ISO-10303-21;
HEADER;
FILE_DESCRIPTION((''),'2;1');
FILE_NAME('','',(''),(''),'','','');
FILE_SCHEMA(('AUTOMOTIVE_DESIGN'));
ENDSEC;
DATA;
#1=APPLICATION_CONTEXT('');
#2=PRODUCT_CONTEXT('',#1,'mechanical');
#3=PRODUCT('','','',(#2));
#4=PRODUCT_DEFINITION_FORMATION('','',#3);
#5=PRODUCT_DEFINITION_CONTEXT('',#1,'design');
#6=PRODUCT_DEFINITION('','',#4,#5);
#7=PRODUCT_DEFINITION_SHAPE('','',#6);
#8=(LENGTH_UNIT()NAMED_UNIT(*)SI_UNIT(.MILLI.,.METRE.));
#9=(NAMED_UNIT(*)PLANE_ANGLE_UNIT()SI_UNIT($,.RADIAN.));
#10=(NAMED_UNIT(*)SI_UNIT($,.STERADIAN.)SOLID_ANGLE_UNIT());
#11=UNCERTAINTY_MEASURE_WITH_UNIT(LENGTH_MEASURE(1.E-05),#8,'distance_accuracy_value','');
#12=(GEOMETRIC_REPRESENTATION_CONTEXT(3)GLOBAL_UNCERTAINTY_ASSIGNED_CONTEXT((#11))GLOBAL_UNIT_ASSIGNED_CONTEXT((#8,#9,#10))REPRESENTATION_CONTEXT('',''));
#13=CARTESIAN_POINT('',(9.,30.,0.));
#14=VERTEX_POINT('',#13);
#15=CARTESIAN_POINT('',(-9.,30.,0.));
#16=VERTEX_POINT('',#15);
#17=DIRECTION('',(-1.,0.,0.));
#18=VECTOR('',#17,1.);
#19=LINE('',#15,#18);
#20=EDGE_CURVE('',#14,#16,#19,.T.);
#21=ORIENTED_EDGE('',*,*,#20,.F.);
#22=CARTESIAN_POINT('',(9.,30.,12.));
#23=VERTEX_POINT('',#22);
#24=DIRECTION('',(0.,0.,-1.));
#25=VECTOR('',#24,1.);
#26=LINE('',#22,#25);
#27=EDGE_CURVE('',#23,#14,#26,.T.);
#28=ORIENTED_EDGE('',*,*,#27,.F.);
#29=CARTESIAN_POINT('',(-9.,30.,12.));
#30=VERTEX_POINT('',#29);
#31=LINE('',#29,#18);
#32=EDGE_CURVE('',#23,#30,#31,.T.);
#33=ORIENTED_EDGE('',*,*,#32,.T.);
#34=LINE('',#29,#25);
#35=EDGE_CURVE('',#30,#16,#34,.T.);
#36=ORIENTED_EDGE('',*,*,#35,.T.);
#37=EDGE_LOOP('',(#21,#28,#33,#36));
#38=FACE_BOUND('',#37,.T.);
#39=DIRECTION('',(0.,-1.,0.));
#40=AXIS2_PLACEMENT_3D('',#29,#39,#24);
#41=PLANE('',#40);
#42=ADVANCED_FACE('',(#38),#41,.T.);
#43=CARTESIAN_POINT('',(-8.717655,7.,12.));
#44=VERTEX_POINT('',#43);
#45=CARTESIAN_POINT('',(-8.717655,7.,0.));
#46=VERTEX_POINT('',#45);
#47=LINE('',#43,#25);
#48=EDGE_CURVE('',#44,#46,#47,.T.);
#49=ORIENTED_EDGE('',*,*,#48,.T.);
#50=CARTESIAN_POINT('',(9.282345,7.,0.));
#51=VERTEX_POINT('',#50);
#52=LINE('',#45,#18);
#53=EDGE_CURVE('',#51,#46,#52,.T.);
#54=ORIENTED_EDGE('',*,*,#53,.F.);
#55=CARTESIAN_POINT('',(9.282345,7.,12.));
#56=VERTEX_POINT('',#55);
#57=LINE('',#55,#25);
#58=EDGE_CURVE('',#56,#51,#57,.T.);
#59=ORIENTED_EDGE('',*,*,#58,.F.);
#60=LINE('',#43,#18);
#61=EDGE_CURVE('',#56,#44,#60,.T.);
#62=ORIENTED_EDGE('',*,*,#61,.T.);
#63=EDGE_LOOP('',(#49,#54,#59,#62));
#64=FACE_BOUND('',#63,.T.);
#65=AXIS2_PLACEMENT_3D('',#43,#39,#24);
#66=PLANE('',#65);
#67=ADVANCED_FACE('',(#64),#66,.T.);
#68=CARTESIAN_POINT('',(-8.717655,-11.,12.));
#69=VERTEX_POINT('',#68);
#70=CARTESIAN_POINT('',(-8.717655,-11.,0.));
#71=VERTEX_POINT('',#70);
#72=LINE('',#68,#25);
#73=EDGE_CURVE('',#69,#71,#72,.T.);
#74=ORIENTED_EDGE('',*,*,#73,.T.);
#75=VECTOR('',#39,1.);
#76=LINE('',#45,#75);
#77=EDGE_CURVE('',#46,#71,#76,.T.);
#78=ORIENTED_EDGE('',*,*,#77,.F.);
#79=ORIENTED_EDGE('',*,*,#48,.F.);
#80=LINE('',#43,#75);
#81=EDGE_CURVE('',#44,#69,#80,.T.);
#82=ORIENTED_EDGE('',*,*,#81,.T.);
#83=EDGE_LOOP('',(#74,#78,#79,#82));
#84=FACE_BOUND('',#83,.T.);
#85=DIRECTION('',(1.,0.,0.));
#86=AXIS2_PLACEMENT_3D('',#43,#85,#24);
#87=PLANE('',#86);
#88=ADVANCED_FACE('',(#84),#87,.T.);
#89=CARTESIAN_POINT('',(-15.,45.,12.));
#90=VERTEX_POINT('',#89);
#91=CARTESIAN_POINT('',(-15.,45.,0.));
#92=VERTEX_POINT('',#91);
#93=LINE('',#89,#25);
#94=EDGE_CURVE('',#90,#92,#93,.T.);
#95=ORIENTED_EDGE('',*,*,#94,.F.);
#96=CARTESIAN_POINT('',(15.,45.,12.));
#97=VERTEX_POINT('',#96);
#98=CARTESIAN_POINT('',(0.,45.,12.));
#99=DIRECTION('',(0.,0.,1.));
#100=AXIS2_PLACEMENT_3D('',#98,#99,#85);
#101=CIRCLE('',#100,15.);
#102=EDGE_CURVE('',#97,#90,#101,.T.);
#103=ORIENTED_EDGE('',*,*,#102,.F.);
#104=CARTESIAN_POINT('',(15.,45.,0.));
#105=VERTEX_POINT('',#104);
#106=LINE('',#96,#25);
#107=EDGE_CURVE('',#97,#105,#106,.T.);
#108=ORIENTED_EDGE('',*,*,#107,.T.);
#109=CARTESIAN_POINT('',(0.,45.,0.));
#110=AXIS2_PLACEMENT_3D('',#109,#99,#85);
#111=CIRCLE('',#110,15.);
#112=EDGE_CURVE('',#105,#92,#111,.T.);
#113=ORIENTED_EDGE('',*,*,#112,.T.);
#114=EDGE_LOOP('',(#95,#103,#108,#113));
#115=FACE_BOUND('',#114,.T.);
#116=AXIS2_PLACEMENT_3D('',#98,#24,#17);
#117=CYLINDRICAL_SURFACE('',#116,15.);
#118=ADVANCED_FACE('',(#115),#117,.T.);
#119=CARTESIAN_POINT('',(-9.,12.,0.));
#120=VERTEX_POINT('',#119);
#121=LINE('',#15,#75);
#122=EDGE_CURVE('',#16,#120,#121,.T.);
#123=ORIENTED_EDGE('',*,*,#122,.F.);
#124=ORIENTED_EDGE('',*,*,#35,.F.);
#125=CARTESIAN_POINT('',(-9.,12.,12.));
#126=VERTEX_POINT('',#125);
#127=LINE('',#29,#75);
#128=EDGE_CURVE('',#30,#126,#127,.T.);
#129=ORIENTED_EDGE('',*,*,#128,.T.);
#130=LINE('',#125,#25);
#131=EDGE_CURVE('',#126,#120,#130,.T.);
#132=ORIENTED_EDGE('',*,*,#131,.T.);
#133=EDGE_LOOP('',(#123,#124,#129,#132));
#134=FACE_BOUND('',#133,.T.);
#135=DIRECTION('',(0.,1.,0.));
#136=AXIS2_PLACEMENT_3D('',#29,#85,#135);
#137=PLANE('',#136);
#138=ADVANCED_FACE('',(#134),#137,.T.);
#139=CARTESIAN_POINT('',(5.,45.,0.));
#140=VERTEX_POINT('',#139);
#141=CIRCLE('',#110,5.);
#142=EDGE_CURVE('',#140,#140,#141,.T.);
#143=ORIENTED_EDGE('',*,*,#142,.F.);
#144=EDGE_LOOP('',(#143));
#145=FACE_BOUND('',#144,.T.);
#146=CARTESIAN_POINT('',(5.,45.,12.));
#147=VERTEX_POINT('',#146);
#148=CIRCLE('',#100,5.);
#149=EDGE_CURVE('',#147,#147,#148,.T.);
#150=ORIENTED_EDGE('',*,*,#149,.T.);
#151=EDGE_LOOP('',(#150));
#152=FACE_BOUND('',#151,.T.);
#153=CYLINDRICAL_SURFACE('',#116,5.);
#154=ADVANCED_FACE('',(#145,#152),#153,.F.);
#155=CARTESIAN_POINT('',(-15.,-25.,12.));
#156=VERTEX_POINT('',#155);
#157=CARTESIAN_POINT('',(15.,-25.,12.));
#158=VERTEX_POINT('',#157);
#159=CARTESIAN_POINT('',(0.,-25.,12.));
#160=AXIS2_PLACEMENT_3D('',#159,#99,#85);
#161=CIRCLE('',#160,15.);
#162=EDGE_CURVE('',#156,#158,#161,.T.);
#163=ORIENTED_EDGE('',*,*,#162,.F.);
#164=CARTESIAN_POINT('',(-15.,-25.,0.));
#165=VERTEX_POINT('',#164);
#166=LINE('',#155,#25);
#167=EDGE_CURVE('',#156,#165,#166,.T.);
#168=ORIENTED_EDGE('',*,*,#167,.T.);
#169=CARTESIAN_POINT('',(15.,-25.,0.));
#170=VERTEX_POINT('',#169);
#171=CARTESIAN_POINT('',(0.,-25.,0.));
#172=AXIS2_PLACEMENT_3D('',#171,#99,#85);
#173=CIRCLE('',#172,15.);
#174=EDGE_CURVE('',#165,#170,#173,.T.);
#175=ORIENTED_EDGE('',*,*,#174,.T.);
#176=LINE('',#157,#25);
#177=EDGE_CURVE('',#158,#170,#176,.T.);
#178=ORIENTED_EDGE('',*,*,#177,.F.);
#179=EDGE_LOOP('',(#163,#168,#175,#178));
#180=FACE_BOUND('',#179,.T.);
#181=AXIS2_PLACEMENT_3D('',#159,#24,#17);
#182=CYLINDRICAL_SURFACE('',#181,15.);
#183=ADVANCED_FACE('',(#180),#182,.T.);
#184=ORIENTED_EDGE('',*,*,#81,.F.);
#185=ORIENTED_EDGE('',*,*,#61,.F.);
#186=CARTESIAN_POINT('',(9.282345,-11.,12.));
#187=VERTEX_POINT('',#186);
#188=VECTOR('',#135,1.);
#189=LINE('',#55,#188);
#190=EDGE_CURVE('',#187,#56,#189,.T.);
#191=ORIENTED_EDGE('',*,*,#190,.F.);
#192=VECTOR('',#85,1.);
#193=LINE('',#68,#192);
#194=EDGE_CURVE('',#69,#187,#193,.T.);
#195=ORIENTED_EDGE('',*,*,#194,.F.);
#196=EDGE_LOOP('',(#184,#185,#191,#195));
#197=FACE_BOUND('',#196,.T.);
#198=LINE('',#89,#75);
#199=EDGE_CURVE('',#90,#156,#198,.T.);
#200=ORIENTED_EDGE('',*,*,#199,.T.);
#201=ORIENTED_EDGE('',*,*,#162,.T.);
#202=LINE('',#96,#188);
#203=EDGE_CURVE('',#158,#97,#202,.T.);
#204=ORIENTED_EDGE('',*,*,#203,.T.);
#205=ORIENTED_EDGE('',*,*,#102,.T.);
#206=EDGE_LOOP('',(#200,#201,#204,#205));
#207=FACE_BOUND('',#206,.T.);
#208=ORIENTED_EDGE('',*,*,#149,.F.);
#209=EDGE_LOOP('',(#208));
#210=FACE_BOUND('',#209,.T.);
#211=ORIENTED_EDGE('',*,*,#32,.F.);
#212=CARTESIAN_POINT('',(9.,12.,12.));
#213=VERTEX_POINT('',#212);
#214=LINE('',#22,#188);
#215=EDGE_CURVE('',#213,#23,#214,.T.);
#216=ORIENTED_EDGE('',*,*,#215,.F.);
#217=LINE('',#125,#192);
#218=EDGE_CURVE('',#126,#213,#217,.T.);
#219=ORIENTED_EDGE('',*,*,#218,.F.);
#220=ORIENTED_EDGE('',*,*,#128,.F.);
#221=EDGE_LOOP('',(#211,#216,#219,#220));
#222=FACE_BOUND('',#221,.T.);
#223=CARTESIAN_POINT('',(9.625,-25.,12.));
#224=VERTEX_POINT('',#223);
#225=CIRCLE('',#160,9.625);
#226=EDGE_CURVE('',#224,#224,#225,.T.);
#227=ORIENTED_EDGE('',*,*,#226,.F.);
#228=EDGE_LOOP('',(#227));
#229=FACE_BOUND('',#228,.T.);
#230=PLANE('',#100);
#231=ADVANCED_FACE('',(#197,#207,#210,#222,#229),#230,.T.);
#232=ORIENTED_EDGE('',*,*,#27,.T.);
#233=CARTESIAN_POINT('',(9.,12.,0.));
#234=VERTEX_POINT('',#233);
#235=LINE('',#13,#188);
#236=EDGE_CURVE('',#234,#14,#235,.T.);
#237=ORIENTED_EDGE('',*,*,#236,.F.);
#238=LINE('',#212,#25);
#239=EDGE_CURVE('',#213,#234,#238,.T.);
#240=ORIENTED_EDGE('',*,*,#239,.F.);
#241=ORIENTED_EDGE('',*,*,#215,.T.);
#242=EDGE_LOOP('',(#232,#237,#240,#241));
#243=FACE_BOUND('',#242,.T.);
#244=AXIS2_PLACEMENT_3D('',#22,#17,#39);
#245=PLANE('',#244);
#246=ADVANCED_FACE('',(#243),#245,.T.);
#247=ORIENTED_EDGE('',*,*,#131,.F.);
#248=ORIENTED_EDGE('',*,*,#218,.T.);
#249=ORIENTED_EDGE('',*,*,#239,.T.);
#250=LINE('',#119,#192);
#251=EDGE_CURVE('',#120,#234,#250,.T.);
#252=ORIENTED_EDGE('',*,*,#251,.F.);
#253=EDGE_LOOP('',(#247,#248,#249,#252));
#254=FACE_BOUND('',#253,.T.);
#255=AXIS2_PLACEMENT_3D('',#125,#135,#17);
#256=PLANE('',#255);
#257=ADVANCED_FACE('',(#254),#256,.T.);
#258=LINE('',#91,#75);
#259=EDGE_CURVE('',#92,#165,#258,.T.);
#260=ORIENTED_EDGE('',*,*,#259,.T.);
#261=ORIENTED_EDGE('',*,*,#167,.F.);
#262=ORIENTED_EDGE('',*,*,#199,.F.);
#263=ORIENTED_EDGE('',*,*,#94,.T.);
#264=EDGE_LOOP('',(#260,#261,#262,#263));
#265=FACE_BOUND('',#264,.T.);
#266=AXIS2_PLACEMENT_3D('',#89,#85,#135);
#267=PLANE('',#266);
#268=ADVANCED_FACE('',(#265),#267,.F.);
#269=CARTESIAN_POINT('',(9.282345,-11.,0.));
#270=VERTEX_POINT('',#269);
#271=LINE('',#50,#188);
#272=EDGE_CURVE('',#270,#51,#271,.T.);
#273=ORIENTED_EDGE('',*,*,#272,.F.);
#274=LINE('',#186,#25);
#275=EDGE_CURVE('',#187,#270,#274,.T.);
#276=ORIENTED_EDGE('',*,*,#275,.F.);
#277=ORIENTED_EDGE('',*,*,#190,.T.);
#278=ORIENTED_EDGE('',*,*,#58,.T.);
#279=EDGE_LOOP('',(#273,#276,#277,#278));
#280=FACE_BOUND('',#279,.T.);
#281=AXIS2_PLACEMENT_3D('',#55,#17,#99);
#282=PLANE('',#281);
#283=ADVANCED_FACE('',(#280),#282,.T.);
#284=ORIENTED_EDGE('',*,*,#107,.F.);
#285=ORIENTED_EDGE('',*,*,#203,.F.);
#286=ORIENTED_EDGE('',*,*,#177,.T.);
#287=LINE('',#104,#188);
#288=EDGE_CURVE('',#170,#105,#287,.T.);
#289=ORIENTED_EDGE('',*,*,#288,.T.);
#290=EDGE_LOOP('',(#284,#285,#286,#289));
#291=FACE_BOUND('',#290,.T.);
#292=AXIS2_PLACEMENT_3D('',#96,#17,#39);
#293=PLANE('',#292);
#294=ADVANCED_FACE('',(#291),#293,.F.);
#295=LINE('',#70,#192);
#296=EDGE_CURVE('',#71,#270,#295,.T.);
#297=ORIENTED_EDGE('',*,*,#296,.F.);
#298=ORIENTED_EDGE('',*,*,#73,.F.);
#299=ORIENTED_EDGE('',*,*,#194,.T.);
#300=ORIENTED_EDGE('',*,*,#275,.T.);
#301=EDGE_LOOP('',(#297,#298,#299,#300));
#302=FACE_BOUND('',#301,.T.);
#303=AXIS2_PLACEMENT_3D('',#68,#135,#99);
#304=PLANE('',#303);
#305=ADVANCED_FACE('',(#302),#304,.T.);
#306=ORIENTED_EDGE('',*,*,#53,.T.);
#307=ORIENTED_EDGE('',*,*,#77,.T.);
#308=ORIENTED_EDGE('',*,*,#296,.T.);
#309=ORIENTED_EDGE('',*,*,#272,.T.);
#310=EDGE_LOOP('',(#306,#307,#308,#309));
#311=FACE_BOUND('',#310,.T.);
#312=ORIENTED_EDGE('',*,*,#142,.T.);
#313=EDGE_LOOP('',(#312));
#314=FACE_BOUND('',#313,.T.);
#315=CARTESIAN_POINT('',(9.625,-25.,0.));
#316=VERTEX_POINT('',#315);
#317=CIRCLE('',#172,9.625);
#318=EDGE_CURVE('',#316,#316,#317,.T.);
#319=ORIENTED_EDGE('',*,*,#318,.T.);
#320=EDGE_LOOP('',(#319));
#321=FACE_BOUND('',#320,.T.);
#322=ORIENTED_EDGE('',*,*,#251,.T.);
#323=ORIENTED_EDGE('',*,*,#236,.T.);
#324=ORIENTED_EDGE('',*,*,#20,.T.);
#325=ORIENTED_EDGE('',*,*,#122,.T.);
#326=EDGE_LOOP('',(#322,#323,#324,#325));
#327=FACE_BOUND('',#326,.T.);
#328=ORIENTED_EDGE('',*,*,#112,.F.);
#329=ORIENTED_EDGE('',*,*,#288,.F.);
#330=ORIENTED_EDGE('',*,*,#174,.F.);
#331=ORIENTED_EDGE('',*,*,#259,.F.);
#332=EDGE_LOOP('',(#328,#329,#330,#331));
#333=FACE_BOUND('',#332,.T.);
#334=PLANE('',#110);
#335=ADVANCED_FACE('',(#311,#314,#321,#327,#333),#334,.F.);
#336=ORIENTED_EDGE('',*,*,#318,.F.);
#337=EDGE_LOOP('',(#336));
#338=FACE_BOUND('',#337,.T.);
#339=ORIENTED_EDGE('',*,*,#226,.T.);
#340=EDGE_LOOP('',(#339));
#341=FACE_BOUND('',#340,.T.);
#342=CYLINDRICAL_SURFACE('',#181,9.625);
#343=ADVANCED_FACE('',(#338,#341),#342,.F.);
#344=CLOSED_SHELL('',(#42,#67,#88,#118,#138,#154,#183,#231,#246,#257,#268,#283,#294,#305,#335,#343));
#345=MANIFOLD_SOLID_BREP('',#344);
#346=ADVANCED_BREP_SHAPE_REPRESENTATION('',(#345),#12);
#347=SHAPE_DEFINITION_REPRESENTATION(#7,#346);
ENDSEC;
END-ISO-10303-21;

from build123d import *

# Parameters (mm, degrees)
SKETCH1_R           = 9.625
SKETCH1_R_2         = 5
SKETCH1_W           = 18
SKETCH1_H           = 18
BOSS_EXTRUDE1_DEPTH = 12


with BuildPart() as part:
    # Sketch1 → Boss-Extrude1 (new body)
    with BuildSketch(Plane.XY):
        with BuildLine():
            Line((15, 45), (15, -25))
            ThreePointArc((15, -25), (0, -40), (-15, -25))
            Line((-15, -25), (-15, 45))
            ThreePointArc((-15, 45), (0, 60), (15, 45))
        make_face()
        with Locations((0, -25)):
            Circle(SKETCH1_R, mode=Mode.SUBTRACT)
        with Locations((0, 45)):
            Circle(SKETCH1_R_2, mode=Mode.SUBTRACT)
        with Locations((0, 21)):
            Rectangle(SKETCH1_W, SKETCH1_H, mode=Mode.SUBTRACT)
        with Locations((0.28234497, -2)):
            Rectangle(SKETCH1_W, SKETCH1_H, mode=Mode.SUBTRACT)
    extrude(amount=BOSS_EXTRUDE1_DEPTH)


solid = part.part
